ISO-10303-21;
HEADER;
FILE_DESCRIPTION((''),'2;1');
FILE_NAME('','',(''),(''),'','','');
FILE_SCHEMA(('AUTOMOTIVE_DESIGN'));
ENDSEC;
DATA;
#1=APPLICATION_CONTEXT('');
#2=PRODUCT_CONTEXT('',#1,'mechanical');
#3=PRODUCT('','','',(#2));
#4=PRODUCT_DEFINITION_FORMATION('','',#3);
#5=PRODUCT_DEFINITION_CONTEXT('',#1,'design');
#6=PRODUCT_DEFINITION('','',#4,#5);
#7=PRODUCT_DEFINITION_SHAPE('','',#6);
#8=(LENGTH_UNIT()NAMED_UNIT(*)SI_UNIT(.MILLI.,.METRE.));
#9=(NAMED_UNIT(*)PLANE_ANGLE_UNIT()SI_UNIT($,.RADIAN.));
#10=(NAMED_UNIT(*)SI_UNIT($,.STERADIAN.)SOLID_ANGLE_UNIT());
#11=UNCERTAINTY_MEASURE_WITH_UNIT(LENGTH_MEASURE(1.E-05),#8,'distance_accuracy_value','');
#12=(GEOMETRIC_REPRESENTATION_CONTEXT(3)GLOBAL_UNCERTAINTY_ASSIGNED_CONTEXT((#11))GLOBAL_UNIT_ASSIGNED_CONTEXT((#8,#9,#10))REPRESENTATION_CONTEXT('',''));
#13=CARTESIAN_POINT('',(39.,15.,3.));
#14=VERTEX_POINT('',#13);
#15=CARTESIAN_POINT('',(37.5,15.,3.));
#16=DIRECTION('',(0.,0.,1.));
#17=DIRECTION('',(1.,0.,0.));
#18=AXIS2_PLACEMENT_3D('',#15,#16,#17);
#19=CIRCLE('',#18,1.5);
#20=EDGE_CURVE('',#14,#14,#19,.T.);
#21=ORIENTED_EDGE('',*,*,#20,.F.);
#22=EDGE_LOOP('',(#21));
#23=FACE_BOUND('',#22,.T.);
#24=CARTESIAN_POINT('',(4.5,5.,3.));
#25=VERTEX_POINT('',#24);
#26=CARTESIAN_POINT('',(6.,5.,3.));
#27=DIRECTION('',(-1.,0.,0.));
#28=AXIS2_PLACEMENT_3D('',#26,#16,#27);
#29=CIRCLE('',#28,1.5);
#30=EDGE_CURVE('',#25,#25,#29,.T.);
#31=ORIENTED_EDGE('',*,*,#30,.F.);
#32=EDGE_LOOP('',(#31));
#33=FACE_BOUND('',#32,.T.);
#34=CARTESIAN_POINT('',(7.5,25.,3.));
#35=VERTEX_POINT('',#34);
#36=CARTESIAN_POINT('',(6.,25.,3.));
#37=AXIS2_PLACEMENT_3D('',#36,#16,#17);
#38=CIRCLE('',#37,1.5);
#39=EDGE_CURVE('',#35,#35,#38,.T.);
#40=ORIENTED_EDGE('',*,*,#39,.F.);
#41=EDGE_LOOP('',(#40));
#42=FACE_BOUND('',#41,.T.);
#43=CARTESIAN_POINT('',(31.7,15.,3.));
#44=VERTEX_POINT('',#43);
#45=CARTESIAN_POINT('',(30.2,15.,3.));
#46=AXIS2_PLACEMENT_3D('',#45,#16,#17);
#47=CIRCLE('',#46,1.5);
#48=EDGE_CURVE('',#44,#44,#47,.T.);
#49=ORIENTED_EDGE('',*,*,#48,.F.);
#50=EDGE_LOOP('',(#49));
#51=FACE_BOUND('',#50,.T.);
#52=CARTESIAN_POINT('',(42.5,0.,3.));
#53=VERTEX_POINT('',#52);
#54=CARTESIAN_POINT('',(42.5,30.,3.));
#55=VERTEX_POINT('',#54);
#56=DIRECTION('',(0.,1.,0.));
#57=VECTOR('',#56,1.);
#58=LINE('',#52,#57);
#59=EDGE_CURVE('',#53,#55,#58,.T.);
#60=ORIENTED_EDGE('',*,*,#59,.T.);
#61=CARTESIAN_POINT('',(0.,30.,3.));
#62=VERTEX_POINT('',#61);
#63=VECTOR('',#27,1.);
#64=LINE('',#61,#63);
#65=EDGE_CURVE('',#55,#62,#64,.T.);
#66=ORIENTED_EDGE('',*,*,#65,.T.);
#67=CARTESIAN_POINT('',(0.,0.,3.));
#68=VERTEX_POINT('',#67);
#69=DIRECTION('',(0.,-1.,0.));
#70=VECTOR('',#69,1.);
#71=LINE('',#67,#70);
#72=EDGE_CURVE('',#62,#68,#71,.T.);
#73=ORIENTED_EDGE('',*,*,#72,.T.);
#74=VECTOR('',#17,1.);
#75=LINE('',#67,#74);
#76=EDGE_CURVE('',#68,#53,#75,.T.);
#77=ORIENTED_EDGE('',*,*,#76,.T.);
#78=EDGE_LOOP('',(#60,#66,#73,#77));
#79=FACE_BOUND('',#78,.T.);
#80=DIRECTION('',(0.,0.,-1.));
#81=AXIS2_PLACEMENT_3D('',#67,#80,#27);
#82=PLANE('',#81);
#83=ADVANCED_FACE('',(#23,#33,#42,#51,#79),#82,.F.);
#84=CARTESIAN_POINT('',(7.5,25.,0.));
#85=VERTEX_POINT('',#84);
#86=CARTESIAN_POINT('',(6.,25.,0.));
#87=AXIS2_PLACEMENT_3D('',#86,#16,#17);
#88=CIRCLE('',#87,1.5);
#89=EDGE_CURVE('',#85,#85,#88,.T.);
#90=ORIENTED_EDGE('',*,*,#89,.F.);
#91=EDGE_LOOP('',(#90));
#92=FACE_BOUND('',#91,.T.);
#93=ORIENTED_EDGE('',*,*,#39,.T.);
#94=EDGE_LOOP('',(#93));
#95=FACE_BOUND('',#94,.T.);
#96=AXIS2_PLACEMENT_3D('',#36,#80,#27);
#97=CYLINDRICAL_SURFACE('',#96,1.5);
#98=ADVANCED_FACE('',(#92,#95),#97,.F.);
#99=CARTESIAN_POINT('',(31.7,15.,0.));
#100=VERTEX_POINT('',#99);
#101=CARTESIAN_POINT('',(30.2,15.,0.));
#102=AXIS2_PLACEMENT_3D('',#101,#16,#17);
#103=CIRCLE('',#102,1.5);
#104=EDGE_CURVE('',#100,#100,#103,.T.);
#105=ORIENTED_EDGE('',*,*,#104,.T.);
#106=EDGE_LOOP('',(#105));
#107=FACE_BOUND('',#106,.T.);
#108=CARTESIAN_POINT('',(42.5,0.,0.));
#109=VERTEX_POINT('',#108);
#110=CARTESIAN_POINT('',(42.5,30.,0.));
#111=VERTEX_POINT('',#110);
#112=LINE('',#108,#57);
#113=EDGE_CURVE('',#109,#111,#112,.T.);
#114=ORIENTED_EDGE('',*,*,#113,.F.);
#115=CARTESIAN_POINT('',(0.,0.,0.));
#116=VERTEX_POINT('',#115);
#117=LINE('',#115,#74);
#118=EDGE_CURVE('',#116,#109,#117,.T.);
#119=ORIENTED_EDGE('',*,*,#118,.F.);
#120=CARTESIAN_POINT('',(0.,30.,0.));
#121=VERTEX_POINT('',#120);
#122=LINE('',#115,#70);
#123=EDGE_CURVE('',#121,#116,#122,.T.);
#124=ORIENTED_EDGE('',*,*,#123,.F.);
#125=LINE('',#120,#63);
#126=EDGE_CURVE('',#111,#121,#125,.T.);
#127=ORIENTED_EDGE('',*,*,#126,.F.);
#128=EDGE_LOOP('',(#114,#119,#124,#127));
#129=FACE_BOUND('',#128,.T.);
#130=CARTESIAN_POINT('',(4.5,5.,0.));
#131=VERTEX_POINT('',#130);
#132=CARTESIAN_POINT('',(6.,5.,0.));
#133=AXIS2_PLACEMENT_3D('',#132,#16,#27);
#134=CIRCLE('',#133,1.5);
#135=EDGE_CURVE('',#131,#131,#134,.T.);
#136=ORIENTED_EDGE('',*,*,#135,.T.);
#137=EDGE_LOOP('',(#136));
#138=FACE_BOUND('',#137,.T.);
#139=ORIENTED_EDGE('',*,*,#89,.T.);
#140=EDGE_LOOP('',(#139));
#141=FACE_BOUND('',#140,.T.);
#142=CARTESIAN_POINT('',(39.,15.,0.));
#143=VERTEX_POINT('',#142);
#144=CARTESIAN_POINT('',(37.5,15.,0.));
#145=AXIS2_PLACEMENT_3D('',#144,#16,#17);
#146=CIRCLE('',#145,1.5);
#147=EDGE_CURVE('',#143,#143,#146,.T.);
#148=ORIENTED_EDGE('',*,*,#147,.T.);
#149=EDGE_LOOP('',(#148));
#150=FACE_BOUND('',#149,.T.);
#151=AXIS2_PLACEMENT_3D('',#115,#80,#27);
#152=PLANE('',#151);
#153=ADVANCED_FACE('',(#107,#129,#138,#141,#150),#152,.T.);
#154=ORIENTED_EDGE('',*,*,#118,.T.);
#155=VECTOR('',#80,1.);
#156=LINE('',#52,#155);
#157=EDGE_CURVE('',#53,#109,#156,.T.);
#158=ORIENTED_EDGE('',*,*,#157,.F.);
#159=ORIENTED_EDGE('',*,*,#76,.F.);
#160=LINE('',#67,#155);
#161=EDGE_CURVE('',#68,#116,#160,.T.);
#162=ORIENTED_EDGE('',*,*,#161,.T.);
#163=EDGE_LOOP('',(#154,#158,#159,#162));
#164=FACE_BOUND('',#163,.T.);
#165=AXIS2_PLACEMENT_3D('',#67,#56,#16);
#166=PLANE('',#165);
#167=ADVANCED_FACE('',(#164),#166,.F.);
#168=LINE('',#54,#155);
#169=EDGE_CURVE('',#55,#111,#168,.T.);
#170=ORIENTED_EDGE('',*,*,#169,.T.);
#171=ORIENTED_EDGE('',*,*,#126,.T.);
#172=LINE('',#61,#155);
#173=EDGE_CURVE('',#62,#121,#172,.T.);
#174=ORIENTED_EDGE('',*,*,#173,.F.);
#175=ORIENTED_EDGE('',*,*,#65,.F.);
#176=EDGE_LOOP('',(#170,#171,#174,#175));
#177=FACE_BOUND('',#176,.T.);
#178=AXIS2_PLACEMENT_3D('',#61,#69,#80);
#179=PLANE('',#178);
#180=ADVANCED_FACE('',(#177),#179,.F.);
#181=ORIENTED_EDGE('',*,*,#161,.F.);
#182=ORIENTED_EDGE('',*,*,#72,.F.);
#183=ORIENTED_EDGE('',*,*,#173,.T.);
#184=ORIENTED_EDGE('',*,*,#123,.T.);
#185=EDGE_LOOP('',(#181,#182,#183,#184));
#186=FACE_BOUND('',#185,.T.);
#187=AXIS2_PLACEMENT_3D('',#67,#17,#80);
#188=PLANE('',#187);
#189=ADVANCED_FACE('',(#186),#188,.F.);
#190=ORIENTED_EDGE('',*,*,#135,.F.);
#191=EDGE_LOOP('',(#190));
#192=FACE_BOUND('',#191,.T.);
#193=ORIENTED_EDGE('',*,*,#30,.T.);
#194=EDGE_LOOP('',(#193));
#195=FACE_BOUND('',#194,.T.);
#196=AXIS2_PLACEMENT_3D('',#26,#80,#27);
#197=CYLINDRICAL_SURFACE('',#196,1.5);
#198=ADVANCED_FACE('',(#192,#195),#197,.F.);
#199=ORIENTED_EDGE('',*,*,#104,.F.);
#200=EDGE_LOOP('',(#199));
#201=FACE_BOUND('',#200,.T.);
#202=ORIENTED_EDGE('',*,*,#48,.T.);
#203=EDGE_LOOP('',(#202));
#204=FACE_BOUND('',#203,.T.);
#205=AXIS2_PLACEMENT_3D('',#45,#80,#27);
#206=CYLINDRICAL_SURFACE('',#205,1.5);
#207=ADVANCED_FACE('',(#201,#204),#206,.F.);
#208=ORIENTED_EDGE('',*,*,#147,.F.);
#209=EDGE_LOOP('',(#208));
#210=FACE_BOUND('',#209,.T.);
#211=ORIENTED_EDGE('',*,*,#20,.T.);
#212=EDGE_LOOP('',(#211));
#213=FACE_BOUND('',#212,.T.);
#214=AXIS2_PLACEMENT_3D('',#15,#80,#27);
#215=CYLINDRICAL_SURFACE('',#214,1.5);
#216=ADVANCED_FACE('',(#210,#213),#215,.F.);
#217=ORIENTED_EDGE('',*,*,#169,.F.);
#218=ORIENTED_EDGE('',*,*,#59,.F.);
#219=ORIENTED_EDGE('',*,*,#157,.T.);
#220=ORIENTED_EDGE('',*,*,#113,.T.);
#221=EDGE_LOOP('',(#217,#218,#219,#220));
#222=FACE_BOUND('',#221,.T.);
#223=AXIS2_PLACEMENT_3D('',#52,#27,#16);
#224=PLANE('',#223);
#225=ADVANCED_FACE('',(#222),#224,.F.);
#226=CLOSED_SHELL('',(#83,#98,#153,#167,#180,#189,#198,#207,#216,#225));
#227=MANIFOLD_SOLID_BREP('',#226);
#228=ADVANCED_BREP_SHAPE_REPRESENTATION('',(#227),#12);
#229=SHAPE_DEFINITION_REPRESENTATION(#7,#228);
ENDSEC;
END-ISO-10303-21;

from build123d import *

# Parameters (mm, degrees)
CROQUIS1_W              = 42.5
CROQUIS1_H              = 30
CROQUIS1_R              = 1.5
SALIENTE_EXTRUIR1_DEPTH = 3


with BuildPart() as part:
    # Croquis1 → Saliente-Extruir1 (new body)
    with BuildSketch(Plane.XY):
        with Locations((21.25, 15)):
            Rectangle(CROQUIS1_W, CROQUIS1_H)
        with Locations((6, 25)):
            Circle(CROQUIS1_R, mode=Mode.SUBTRACT)
        with Locations(Location((6, 5, 0), (0, 0, 180))):
            Circle(CROQUIS1_R, mode=Mode.SUBTRACT)
        with Locations((37.5, 15)):
            Circle(CROQUIS1_R, mode=Mode.SUBTRACT)
        with Locations((30.2, 15)):
            Circle(CROQUIS1_R, mode=Mode.SUBTRACT)
    extrude(amount=SALIENTE_EXTRUIR1_DEPTH)


solid = part.part
